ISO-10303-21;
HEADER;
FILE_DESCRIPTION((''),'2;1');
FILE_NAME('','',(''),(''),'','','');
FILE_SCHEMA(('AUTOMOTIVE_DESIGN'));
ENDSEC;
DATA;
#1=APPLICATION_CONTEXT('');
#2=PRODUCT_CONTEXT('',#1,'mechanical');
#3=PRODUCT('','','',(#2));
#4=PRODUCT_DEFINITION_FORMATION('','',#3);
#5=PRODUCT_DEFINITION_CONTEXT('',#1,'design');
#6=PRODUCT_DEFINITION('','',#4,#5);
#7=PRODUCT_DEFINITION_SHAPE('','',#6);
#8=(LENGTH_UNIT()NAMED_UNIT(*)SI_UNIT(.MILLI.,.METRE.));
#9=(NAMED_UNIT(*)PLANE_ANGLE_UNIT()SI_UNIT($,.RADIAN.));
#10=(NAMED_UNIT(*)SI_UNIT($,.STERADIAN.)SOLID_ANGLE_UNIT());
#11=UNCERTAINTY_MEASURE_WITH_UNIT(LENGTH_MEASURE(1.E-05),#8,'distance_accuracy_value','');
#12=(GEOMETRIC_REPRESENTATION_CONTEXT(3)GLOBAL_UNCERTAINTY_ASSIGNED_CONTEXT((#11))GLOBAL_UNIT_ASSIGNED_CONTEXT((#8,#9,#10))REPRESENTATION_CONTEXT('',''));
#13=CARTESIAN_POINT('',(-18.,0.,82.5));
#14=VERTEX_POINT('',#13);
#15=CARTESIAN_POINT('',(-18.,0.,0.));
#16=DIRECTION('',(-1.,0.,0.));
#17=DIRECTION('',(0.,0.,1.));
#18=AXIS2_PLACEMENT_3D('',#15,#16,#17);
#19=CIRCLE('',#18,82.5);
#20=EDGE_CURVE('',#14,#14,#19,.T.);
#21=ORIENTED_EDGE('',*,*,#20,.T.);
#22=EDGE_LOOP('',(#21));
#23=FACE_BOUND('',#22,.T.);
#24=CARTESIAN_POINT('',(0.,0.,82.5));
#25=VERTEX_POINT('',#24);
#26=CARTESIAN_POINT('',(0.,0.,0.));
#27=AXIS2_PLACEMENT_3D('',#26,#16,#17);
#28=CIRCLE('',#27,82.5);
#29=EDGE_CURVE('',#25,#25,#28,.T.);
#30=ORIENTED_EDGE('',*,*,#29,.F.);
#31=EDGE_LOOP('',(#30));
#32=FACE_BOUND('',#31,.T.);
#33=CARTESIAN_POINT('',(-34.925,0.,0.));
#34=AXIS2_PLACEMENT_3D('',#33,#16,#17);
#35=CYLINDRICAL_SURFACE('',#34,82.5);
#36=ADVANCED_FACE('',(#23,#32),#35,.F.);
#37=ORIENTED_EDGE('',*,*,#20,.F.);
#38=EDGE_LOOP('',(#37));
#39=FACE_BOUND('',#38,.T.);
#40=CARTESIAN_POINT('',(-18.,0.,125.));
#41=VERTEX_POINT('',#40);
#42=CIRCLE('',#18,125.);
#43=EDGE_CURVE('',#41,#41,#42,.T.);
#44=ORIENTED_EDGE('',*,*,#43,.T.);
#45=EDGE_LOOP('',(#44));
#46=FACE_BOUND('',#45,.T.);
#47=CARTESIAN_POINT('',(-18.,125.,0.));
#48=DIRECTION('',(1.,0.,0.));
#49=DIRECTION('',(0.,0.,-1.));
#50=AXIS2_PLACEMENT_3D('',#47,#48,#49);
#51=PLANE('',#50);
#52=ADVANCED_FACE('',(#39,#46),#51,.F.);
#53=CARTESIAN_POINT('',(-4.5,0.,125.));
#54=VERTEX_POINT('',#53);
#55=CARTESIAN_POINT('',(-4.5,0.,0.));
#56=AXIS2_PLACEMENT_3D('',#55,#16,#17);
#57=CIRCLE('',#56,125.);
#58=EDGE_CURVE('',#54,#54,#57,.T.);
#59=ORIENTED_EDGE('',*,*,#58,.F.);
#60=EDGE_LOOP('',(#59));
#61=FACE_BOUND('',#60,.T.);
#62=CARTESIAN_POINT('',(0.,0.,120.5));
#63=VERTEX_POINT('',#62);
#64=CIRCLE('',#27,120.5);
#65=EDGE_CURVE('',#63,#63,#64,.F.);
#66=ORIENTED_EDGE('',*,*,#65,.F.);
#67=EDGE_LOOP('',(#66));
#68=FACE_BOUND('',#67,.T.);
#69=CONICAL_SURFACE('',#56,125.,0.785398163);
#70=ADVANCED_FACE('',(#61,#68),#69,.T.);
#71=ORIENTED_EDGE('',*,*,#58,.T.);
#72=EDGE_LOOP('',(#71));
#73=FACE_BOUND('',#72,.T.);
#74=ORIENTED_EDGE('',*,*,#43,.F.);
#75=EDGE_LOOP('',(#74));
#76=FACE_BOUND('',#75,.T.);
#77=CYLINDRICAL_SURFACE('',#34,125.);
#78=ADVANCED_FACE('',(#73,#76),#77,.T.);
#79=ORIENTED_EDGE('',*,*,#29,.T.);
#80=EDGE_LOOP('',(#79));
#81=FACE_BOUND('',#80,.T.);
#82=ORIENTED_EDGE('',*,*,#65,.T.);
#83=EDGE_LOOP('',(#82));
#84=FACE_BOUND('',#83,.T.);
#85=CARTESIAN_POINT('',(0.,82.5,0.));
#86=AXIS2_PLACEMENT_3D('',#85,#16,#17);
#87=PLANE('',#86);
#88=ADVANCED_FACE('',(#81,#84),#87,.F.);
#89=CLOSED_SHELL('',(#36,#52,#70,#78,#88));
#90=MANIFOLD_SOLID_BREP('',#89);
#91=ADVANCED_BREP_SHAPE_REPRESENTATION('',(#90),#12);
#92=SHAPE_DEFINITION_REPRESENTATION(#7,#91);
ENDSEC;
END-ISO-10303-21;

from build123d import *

# Parameters (mm, degrees)
SKETCH1_W      = 18
SKETCH1_H      = 42.5
ODCHAMFER_SIZE = 4.5


with BuildPart() as part:
    # Sketch1 → Base-Revolve (revolve)
    with BuildSketch(Plane.XY, mode=Mode.PRIVATE) as base_revolve_sk:
        with Locations((-9, 103.75)):
            Rectangle(SKETCH1_W, SKETCH1_H)
    revolve(base_revolve_sk.sketch.rotate(Axis((-34.925, 0, 0), (1, 0, 0)), 90), axis=Axis((-34.925, 0, 0), (1, 0, 0)))

    # ODChamfer
    odchamfer_edges = [part.edges().sort_by_distance(p)[0] for p in [
        (0, 0, -125),
    ]]
    chamfer(odchamfer_edges, length=ODCHAMFER_SIZE)


solid = part.part
